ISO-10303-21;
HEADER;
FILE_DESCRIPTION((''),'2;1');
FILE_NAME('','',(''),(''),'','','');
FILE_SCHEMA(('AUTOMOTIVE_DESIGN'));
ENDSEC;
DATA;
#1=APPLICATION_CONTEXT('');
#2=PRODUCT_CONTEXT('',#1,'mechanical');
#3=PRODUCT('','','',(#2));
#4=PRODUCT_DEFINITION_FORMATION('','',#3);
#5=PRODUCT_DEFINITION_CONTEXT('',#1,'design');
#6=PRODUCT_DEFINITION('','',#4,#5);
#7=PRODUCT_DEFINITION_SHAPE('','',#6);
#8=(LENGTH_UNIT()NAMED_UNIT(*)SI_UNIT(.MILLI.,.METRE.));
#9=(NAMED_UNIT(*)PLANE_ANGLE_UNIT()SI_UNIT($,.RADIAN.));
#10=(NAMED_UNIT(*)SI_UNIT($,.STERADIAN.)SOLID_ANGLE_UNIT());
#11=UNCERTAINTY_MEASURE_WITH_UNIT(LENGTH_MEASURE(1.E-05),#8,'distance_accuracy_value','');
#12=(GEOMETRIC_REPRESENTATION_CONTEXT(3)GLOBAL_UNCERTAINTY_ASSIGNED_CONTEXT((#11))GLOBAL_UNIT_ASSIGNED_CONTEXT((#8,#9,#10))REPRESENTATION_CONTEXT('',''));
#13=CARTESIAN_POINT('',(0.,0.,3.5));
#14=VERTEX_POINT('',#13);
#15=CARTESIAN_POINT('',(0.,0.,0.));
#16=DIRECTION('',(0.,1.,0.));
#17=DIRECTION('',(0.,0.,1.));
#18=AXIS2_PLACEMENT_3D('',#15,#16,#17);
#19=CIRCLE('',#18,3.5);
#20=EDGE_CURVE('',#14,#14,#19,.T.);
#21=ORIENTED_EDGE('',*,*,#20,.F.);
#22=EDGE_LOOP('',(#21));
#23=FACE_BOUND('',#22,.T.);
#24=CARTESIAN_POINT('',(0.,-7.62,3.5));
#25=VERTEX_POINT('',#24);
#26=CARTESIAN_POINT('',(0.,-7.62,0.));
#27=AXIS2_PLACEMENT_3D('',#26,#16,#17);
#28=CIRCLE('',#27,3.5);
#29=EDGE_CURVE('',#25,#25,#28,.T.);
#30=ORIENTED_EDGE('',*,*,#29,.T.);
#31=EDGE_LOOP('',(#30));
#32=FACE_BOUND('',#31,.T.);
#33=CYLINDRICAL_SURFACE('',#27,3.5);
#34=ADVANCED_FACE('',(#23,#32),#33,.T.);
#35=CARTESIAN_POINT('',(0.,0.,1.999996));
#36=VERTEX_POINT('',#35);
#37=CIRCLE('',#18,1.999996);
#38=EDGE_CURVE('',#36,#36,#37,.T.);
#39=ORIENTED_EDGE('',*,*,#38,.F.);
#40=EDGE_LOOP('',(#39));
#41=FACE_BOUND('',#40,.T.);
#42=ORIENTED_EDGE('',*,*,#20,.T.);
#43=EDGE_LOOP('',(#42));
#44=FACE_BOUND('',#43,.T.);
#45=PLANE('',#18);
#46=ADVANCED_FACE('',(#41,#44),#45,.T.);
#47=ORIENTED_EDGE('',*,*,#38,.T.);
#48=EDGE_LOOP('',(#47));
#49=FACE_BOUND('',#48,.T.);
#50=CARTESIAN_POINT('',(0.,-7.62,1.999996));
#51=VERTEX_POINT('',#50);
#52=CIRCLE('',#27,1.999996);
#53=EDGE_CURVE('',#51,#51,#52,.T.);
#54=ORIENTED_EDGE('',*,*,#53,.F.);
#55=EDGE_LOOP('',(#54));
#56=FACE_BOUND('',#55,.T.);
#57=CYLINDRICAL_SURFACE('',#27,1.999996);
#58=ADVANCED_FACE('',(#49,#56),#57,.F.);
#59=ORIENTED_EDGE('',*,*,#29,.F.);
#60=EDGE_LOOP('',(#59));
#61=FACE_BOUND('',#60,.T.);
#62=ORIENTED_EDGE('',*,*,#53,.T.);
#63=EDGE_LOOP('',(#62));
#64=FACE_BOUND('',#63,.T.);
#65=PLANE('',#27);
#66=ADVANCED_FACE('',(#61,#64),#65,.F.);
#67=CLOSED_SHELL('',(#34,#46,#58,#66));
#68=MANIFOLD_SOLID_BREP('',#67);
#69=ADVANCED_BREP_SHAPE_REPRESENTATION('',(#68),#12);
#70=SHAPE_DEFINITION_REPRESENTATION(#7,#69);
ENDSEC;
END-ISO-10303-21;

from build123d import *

# Parameters (mm, degrees)
SKETCH1_R           = 3.5
SKETCH1_R_2         = 1.999996
BOSS_EXTRUDE1_DEPTH = 7.62


with BuildPart() as part:
    # Sketch1 → Boss-Extrude1 (new body)
    with BuildSketch(Plane(origin=(0, 0, 0), x_dir=(1, 0, 0), z_dir=(0, 1, 0))):
        Circle(SKETCH1_R)
        Circle(SKETCH1_R_2, mode=Mode.SUBTRACT)
    extrude(amount=-BOSS_EXTRUDE1_DEPTH)


solid = part.part
